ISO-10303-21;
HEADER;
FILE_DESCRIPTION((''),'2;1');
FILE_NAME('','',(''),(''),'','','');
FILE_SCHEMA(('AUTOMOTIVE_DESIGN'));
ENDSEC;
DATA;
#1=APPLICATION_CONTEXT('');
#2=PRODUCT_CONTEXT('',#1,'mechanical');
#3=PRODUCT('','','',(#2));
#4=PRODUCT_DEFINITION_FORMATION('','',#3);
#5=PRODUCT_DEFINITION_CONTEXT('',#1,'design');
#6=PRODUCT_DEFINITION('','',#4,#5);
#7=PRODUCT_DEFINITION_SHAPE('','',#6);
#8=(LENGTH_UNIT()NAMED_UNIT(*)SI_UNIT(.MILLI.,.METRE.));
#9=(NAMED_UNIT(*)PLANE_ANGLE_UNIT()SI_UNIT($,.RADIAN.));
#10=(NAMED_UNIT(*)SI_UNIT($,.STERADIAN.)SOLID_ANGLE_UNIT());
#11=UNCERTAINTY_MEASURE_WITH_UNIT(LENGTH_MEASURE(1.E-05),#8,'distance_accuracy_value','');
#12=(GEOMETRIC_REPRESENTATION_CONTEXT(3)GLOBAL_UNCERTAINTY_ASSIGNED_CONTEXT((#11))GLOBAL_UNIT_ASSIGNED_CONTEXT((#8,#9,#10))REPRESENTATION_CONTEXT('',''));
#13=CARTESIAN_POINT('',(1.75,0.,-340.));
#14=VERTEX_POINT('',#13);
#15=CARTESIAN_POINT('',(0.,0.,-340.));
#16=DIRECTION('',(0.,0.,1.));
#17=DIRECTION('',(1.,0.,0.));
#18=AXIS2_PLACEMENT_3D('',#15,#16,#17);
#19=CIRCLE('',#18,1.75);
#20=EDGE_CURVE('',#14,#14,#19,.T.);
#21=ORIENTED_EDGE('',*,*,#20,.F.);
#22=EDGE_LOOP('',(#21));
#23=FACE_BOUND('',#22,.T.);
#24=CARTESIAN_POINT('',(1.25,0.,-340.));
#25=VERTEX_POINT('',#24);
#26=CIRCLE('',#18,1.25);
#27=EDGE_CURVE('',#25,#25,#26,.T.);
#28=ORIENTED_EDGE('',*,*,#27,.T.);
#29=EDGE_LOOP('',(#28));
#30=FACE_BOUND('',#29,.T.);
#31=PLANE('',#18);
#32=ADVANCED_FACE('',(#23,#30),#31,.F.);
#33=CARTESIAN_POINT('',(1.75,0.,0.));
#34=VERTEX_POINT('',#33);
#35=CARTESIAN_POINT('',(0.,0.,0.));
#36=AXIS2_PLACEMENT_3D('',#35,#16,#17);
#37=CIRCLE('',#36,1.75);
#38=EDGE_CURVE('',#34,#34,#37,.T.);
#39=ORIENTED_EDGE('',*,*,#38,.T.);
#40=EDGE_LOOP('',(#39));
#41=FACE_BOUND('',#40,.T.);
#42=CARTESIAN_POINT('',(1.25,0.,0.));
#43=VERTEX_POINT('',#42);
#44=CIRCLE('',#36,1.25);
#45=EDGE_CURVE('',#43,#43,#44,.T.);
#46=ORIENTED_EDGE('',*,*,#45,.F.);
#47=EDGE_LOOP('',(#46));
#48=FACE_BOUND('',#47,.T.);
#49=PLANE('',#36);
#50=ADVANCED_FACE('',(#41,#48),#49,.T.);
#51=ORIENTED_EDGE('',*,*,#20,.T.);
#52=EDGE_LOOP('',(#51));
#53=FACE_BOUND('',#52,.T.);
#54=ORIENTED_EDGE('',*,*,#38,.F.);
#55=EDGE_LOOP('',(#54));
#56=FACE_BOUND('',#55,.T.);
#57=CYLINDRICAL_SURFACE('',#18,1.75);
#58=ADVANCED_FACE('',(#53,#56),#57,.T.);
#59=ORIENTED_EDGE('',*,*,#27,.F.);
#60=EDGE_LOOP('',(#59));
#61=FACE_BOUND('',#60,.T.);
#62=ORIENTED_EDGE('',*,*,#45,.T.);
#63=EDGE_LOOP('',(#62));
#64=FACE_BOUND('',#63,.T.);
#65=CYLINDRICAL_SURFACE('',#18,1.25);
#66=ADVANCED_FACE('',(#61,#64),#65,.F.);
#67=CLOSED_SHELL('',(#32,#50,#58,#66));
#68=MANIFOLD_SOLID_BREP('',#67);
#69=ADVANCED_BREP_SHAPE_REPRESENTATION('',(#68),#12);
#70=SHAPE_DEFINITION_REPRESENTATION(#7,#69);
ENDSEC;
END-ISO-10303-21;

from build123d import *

# Parameters (mm, degrees)
SKETCH2_R           = 1.75
SKETCH2_R_2         = 1.25
BOSS_EXTRUDE1_DEPTH = 340


with BuildPart() as part:
    # Sketch2 → Boss-Extrude1 (new body)
    with BuildSketch(Plane.XY):
        Circle(SKETCH2_R)
        Circle(SKETCH2_R_2, mode=Mode.SUBTRACT)
    extrude(amount=-BOSS_EXTRUDE1_DEPTH)


solid = part.part
